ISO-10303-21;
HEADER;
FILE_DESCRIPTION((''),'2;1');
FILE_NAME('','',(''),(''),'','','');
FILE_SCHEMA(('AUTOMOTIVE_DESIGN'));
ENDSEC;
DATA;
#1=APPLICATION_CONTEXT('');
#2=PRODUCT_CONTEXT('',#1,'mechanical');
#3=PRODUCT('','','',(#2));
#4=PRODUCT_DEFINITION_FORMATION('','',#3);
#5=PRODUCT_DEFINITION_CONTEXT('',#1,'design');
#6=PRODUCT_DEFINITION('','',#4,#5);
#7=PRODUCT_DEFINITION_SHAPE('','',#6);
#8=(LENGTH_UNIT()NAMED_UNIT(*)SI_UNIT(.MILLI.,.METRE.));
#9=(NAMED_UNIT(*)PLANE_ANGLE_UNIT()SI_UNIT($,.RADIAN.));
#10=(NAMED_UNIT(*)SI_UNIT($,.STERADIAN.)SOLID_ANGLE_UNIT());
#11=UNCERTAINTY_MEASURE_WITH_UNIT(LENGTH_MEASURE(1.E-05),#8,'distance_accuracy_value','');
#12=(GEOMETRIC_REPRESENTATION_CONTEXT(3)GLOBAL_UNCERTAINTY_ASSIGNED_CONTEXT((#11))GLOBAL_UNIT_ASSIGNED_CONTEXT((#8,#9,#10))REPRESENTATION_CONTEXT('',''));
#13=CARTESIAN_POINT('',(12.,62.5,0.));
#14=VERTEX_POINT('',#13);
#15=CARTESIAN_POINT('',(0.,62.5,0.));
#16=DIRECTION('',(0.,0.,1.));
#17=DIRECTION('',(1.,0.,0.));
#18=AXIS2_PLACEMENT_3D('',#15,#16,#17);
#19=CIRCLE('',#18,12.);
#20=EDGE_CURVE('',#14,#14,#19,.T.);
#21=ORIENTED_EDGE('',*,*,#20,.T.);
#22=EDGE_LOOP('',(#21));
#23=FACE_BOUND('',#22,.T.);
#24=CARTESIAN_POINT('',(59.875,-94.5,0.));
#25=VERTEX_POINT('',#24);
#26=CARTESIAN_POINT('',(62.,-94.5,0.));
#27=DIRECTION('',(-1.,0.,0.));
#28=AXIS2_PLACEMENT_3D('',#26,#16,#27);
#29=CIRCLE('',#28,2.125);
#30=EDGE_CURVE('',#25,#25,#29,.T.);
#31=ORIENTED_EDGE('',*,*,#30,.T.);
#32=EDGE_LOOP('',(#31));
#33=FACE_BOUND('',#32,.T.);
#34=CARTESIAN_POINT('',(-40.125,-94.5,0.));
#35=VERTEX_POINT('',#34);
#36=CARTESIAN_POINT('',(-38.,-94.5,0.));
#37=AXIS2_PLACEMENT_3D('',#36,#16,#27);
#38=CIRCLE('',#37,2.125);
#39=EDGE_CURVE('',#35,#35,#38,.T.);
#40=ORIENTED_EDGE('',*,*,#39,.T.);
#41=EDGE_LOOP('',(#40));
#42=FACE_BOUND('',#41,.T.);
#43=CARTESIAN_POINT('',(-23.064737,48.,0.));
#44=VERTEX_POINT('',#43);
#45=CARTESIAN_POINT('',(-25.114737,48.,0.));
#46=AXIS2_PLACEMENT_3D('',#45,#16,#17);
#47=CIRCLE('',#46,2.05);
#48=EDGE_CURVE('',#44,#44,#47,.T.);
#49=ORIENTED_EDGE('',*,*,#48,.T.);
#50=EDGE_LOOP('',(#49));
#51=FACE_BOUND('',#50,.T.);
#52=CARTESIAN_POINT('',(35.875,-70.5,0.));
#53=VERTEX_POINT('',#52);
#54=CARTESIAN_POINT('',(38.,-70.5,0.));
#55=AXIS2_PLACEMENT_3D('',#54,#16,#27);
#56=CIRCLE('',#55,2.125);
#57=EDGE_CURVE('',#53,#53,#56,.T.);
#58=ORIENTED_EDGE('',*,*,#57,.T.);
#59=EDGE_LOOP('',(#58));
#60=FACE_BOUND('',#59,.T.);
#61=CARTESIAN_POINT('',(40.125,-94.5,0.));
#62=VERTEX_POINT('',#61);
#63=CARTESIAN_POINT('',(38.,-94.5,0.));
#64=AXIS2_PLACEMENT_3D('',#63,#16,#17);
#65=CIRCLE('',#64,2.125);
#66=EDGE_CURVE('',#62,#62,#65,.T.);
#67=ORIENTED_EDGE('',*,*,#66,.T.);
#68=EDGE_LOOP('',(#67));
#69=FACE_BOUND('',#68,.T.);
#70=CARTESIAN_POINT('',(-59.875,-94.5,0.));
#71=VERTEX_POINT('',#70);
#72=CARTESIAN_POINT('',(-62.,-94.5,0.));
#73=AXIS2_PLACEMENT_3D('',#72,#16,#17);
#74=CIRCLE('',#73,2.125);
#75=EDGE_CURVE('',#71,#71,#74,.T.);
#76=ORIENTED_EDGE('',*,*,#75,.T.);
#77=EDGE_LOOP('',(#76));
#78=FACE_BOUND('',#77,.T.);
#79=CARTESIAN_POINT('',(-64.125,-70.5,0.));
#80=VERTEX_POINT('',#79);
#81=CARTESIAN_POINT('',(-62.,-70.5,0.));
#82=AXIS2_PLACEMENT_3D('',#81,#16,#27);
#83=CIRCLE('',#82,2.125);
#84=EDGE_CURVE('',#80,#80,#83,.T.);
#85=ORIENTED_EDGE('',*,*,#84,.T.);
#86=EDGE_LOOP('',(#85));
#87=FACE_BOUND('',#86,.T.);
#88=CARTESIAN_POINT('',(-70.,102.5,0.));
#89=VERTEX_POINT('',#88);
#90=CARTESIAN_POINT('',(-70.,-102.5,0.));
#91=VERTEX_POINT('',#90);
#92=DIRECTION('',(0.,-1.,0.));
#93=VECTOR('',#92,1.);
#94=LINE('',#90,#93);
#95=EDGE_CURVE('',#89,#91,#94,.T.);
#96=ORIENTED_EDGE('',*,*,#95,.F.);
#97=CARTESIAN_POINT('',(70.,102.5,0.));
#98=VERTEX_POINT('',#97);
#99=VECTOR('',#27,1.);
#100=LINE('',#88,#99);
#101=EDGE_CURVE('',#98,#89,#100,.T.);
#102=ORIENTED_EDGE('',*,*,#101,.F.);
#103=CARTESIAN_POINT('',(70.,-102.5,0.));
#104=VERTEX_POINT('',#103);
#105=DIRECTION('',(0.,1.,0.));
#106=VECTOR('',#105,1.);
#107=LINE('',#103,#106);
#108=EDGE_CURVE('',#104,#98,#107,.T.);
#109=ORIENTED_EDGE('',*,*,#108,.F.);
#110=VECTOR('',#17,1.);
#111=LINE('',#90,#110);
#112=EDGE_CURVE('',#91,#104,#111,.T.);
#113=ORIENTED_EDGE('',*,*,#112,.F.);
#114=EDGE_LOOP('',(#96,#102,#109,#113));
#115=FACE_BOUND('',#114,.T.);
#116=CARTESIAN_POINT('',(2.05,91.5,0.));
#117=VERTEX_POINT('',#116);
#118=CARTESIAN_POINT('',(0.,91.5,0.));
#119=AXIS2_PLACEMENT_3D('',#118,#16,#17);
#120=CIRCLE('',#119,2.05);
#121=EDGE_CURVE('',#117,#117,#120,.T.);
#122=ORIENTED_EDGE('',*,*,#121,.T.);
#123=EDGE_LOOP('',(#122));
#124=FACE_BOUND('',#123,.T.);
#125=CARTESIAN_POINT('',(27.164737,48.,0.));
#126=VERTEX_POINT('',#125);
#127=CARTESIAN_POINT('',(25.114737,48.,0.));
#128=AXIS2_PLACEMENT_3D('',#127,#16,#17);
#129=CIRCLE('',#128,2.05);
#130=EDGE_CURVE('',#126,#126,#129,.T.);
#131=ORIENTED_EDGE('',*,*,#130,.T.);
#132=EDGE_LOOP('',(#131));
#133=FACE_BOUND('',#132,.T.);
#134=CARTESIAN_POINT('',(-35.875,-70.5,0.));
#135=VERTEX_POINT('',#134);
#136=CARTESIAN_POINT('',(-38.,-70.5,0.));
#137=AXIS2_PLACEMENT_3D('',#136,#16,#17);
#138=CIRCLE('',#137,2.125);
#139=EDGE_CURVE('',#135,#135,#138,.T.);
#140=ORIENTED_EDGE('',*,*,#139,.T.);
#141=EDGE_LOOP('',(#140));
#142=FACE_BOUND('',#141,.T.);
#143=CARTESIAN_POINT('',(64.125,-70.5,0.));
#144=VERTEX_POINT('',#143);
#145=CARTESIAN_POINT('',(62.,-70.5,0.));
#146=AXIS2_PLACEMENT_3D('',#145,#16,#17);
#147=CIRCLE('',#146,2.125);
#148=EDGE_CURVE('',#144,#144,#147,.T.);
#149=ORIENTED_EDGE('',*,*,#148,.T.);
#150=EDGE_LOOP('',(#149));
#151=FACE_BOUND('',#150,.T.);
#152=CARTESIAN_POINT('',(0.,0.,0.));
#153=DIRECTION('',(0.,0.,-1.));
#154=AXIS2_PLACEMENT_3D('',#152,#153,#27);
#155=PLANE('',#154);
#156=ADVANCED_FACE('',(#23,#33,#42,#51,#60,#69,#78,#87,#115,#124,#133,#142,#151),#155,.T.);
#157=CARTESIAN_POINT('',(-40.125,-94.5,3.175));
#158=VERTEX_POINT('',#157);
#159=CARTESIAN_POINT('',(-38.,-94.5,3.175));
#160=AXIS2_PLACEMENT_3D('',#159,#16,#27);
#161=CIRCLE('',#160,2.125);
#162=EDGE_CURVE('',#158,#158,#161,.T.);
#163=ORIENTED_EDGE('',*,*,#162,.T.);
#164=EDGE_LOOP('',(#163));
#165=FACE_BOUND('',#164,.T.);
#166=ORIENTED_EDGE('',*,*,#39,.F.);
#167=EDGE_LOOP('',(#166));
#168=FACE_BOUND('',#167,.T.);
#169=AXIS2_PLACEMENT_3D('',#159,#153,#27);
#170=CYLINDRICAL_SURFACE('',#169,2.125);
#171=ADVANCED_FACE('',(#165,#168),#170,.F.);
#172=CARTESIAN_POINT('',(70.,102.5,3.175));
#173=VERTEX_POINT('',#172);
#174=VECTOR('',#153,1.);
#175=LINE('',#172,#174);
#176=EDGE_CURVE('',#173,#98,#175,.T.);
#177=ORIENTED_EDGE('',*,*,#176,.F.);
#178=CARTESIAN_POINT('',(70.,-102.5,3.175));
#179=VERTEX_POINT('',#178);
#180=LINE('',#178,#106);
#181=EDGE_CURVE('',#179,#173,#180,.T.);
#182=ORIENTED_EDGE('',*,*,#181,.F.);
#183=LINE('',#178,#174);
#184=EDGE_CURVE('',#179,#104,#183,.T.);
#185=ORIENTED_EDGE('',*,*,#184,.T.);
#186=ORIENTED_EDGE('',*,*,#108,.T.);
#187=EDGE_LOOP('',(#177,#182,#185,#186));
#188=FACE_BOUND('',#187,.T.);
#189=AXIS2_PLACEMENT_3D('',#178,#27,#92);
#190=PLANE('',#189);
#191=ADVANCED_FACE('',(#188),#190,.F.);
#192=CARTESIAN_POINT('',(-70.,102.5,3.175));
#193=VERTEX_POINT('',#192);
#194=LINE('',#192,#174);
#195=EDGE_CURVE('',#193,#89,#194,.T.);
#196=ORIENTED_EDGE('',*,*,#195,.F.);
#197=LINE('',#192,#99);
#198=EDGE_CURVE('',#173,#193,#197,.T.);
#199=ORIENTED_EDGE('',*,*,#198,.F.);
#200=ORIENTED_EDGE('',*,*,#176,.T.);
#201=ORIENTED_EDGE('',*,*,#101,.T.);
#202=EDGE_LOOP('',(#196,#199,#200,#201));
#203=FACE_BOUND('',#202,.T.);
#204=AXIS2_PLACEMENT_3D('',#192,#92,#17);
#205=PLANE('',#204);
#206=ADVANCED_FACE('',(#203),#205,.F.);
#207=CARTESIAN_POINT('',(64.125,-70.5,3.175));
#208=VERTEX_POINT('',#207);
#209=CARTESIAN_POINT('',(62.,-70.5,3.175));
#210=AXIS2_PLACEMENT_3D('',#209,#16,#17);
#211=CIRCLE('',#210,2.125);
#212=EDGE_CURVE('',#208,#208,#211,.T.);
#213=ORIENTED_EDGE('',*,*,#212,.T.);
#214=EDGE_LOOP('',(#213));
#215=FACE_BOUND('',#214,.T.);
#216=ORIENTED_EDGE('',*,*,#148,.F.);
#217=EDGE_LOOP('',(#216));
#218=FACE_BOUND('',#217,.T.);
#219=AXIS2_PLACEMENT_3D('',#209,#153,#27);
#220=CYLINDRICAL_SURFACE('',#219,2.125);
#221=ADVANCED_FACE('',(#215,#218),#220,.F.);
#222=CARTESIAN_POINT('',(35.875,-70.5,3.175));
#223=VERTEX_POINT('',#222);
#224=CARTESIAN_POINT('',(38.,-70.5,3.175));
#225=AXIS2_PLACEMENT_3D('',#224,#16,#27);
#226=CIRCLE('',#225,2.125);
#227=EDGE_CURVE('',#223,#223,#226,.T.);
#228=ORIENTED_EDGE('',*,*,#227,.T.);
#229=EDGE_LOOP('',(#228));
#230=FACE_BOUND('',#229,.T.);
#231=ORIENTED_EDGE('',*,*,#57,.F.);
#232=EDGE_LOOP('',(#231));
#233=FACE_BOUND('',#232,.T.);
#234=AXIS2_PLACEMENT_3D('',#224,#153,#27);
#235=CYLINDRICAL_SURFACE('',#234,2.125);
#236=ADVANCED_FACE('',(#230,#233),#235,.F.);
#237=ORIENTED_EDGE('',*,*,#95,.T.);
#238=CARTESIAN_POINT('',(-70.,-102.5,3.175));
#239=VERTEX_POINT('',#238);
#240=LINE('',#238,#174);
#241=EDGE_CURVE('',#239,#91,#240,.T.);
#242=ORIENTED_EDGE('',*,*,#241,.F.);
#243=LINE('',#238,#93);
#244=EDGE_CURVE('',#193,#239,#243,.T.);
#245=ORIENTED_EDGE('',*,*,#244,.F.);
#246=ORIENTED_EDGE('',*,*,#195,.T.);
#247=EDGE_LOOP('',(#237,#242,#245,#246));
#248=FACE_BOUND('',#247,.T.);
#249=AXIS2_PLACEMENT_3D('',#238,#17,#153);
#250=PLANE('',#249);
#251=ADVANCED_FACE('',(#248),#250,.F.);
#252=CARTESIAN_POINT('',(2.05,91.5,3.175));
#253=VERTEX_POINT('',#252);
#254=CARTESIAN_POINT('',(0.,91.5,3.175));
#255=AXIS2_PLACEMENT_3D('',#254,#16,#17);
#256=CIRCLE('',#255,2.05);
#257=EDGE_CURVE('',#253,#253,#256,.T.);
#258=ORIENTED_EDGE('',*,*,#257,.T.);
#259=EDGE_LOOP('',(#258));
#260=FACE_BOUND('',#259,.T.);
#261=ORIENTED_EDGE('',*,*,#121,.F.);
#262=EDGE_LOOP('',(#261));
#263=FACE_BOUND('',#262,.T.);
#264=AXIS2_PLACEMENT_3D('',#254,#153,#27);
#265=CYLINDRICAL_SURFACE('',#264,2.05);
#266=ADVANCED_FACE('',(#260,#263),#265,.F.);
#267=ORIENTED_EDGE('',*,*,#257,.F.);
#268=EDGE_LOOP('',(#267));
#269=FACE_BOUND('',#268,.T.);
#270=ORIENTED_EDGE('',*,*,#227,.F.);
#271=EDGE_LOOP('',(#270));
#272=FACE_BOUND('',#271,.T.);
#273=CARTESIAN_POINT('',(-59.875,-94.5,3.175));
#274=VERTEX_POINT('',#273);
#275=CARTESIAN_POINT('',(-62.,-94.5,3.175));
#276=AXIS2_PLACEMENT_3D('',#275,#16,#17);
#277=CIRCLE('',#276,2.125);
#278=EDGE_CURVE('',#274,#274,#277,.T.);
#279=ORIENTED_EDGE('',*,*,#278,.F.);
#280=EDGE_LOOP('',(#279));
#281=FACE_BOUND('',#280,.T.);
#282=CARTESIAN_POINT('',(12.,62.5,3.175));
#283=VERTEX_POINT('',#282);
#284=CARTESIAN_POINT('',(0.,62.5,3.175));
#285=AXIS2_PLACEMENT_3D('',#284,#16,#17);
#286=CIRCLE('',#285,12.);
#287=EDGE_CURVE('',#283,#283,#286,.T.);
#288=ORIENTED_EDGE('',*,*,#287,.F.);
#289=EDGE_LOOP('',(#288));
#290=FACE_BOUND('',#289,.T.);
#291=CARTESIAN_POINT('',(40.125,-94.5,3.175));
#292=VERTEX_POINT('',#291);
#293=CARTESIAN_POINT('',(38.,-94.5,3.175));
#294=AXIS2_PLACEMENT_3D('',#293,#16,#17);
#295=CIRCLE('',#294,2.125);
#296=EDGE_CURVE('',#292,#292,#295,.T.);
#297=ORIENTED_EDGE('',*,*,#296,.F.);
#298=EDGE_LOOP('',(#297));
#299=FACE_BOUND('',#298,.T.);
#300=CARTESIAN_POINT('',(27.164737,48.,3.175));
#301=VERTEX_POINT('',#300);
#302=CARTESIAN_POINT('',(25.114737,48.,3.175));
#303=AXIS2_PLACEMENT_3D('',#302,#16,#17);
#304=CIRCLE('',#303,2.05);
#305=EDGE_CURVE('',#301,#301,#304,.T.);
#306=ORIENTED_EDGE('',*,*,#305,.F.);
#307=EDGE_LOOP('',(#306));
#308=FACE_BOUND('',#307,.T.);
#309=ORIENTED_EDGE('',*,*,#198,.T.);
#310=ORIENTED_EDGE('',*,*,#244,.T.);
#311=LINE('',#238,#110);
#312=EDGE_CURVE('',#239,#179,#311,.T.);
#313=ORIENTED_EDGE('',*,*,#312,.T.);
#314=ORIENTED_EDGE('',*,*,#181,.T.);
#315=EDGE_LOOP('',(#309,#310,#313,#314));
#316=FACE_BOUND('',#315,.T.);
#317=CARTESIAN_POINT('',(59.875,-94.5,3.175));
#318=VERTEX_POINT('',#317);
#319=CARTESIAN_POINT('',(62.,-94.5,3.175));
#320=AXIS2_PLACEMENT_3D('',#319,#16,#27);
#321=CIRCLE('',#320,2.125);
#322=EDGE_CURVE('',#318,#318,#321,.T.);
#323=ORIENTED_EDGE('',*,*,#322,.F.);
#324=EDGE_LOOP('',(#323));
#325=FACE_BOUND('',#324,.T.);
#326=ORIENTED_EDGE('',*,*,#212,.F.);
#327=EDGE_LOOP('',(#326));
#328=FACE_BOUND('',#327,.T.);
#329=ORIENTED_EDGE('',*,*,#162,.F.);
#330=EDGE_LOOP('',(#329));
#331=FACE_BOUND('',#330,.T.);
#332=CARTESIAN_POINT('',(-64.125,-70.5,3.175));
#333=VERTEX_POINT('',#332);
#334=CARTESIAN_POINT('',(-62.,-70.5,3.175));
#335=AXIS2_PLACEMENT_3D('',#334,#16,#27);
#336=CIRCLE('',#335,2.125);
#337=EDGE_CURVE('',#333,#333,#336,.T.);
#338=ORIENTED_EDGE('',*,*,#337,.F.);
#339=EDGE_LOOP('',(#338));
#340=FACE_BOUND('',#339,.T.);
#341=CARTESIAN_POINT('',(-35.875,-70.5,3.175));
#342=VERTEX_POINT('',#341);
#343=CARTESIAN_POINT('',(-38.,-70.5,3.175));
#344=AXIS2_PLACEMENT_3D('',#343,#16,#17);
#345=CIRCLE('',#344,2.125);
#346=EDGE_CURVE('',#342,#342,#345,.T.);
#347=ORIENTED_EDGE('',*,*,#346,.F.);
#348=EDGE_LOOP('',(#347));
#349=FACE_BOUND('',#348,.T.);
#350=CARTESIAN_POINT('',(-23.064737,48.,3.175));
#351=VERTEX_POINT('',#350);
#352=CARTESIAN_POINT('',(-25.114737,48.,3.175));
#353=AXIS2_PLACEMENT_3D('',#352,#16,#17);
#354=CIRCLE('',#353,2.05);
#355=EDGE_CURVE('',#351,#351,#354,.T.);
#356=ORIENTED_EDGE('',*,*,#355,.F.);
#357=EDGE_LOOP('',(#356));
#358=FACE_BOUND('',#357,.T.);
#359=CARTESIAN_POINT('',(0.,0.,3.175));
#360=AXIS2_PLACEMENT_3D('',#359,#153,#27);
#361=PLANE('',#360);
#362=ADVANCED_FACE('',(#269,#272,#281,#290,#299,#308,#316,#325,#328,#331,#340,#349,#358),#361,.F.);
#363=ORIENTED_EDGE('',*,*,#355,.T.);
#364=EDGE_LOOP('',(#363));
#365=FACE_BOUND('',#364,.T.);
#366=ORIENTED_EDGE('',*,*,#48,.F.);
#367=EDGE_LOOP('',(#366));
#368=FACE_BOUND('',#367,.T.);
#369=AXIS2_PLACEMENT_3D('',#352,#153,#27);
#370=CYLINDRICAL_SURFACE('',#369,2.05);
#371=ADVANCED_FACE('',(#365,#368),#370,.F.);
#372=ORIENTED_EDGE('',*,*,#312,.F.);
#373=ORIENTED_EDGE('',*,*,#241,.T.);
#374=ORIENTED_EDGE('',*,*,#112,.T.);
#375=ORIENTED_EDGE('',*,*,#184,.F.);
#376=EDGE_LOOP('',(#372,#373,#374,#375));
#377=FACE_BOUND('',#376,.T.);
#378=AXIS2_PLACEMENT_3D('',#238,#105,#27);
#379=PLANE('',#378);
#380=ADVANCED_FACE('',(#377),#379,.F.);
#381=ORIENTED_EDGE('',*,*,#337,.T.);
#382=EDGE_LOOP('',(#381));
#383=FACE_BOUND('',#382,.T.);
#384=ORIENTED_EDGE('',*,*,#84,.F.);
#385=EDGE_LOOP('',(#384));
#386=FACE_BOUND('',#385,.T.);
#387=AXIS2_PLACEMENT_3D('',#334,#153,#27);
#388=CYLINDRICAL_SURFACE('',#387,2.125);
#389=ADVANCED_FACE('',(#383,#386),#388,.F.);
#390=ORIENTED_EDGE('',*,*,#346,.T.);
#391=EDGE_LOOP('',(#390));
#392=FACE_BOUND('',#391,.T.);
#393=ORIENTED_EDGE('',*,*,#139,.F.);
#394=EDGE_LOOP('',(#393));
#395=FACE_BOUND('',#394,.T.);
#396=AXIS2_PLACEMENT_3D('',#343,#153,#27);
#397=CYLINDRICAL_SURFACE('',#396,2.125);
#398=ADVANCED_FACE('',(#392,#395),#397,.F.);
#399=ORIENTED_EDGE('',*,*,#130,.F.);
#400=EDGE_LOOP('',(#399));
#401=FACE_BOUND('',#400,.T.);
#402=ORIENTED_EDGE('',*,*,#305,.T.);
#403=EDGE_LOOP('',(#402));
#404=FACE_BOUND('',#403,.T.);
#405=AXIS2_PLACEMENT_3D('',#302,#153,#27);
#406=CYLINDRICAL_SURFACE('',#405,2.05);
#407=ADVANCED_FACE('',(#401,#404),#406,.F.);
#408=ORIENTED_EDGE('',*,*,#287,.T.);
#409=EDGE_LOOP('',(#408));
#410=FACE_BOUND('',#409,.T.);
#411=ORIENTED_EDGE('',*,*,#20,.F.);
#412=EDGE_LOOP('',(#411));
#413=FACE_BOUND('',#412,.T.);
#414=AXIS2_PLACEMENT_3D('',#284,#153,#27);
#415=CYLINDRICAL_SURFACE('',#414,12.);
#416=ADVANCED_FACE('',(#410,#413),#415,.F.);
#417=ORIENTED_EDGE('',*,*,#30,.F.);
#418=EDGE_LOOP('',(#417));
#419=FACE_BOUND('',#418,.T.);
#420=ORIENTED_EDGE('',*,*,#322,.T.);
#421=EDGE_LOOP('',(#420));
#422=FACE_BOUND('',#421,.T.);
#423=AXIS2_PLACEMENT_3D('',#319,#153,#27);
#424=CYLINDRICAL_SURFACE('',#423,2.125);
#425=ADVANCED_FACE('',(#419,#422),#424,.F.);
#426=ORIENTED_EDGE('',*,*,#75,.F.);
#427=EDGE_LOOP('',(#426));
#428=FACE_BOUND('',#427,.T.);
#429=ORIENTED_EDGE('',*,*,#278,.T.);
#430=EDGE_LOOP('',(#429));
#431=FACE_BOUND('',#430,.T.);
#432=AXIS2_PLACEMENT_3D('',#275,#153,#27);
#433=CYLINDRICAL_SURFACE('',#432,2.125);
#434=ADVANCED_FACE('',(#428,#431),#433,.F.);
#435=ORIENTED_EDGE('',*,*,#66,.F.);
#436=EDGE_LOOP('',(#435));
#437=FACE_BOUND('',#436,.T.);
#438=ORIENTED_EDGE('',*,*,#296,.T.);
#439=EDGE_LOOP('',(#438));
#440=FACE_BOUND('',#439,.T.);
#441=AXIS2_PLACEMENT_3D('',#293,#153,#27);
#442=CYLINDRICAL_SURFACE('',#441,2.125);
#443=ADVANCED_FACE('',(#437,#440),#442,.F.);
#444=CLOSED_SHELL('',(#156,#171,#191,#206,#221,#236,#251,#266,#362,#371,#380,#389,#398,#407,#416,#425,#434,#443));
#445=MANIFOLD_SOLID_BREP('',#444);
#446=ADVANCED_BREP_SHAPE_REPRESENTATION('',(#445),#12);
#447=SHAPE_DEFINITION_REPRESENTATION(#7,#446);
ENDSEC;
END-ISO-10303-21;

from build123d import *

# Parameters (mm, degrees)
SKETCH1_W           = 140
SKETCH1_H           = 205
SKETCH1_R           = 2.05
SKETCH1_R_2         = 12
SKETCH1_R_3         = 2.125
BOSS_EXTRUDE1_DEPTH = 3.175


with BuildPart() as part:
    # Sketch1 → Boss-Extrude1 (new body)
    with BuildSketch(Plane.XY):
        Rectangle(SKETCH1_W, SKETCH1_H)
        with Locations((0, 91.5)):
            Circle(SKETCH1_R, mode=Mode.SUBTRACT)
        with Locations((25.11473671, 48)):
            Circle(SKETCH1_R, mode=Mode.SUBTRACT)
        with Locations((-25.11473671, 48)):
            Circle(SKETCH1_R, mode=Mode.SUBTRACT)
        with Locations((0, 62.5)):
            Circle(SKETCH1_R_2, mode=Mode.SUBTRACT)
        with Locations((-62, -94.5)):
            Circle(SKETCH1_R_3, mode=Mode.SUBTRACT)
        with Locations(Location((-38, -94.5, 0), (0, 0, 180))):
            Circle(SKETCH1_R_3, mode=Mode.SUBTRACT)
        with Locations((-38, -70.5)):
            Circle(SKETCH1_R_3, mode=Mode.SUBTRACT)
        with Locations(Location((-62, -70.5, 0), (0, 0, 180))):
            Circle(SKETCH1_R_3, mode=Mode.SUBTRACT)
        with Locations((38, -94.5)):
            Circle(SKETCH1_R_3, mode=Mode.SUBTRACT)
        with Locations(Location((62, -94.5, 0), (0, 0, 180))):
            Circle(SKETCH1_R_3, mode=Mode.SUBTRACT)
        with Locations((62, -70.5)):
            Circle(SKETCH1_R_3, mode=Mode.SUBTRACT)
        with Locations(Location((38, -70.5, 0), (0, 0, 180))):
            Circle(SKETCH1_R_3, mode=Mode.SUBTRACT)
    extrude(amount=BOSS_EXTRUDE1_DEPTH)


solid = part.part
